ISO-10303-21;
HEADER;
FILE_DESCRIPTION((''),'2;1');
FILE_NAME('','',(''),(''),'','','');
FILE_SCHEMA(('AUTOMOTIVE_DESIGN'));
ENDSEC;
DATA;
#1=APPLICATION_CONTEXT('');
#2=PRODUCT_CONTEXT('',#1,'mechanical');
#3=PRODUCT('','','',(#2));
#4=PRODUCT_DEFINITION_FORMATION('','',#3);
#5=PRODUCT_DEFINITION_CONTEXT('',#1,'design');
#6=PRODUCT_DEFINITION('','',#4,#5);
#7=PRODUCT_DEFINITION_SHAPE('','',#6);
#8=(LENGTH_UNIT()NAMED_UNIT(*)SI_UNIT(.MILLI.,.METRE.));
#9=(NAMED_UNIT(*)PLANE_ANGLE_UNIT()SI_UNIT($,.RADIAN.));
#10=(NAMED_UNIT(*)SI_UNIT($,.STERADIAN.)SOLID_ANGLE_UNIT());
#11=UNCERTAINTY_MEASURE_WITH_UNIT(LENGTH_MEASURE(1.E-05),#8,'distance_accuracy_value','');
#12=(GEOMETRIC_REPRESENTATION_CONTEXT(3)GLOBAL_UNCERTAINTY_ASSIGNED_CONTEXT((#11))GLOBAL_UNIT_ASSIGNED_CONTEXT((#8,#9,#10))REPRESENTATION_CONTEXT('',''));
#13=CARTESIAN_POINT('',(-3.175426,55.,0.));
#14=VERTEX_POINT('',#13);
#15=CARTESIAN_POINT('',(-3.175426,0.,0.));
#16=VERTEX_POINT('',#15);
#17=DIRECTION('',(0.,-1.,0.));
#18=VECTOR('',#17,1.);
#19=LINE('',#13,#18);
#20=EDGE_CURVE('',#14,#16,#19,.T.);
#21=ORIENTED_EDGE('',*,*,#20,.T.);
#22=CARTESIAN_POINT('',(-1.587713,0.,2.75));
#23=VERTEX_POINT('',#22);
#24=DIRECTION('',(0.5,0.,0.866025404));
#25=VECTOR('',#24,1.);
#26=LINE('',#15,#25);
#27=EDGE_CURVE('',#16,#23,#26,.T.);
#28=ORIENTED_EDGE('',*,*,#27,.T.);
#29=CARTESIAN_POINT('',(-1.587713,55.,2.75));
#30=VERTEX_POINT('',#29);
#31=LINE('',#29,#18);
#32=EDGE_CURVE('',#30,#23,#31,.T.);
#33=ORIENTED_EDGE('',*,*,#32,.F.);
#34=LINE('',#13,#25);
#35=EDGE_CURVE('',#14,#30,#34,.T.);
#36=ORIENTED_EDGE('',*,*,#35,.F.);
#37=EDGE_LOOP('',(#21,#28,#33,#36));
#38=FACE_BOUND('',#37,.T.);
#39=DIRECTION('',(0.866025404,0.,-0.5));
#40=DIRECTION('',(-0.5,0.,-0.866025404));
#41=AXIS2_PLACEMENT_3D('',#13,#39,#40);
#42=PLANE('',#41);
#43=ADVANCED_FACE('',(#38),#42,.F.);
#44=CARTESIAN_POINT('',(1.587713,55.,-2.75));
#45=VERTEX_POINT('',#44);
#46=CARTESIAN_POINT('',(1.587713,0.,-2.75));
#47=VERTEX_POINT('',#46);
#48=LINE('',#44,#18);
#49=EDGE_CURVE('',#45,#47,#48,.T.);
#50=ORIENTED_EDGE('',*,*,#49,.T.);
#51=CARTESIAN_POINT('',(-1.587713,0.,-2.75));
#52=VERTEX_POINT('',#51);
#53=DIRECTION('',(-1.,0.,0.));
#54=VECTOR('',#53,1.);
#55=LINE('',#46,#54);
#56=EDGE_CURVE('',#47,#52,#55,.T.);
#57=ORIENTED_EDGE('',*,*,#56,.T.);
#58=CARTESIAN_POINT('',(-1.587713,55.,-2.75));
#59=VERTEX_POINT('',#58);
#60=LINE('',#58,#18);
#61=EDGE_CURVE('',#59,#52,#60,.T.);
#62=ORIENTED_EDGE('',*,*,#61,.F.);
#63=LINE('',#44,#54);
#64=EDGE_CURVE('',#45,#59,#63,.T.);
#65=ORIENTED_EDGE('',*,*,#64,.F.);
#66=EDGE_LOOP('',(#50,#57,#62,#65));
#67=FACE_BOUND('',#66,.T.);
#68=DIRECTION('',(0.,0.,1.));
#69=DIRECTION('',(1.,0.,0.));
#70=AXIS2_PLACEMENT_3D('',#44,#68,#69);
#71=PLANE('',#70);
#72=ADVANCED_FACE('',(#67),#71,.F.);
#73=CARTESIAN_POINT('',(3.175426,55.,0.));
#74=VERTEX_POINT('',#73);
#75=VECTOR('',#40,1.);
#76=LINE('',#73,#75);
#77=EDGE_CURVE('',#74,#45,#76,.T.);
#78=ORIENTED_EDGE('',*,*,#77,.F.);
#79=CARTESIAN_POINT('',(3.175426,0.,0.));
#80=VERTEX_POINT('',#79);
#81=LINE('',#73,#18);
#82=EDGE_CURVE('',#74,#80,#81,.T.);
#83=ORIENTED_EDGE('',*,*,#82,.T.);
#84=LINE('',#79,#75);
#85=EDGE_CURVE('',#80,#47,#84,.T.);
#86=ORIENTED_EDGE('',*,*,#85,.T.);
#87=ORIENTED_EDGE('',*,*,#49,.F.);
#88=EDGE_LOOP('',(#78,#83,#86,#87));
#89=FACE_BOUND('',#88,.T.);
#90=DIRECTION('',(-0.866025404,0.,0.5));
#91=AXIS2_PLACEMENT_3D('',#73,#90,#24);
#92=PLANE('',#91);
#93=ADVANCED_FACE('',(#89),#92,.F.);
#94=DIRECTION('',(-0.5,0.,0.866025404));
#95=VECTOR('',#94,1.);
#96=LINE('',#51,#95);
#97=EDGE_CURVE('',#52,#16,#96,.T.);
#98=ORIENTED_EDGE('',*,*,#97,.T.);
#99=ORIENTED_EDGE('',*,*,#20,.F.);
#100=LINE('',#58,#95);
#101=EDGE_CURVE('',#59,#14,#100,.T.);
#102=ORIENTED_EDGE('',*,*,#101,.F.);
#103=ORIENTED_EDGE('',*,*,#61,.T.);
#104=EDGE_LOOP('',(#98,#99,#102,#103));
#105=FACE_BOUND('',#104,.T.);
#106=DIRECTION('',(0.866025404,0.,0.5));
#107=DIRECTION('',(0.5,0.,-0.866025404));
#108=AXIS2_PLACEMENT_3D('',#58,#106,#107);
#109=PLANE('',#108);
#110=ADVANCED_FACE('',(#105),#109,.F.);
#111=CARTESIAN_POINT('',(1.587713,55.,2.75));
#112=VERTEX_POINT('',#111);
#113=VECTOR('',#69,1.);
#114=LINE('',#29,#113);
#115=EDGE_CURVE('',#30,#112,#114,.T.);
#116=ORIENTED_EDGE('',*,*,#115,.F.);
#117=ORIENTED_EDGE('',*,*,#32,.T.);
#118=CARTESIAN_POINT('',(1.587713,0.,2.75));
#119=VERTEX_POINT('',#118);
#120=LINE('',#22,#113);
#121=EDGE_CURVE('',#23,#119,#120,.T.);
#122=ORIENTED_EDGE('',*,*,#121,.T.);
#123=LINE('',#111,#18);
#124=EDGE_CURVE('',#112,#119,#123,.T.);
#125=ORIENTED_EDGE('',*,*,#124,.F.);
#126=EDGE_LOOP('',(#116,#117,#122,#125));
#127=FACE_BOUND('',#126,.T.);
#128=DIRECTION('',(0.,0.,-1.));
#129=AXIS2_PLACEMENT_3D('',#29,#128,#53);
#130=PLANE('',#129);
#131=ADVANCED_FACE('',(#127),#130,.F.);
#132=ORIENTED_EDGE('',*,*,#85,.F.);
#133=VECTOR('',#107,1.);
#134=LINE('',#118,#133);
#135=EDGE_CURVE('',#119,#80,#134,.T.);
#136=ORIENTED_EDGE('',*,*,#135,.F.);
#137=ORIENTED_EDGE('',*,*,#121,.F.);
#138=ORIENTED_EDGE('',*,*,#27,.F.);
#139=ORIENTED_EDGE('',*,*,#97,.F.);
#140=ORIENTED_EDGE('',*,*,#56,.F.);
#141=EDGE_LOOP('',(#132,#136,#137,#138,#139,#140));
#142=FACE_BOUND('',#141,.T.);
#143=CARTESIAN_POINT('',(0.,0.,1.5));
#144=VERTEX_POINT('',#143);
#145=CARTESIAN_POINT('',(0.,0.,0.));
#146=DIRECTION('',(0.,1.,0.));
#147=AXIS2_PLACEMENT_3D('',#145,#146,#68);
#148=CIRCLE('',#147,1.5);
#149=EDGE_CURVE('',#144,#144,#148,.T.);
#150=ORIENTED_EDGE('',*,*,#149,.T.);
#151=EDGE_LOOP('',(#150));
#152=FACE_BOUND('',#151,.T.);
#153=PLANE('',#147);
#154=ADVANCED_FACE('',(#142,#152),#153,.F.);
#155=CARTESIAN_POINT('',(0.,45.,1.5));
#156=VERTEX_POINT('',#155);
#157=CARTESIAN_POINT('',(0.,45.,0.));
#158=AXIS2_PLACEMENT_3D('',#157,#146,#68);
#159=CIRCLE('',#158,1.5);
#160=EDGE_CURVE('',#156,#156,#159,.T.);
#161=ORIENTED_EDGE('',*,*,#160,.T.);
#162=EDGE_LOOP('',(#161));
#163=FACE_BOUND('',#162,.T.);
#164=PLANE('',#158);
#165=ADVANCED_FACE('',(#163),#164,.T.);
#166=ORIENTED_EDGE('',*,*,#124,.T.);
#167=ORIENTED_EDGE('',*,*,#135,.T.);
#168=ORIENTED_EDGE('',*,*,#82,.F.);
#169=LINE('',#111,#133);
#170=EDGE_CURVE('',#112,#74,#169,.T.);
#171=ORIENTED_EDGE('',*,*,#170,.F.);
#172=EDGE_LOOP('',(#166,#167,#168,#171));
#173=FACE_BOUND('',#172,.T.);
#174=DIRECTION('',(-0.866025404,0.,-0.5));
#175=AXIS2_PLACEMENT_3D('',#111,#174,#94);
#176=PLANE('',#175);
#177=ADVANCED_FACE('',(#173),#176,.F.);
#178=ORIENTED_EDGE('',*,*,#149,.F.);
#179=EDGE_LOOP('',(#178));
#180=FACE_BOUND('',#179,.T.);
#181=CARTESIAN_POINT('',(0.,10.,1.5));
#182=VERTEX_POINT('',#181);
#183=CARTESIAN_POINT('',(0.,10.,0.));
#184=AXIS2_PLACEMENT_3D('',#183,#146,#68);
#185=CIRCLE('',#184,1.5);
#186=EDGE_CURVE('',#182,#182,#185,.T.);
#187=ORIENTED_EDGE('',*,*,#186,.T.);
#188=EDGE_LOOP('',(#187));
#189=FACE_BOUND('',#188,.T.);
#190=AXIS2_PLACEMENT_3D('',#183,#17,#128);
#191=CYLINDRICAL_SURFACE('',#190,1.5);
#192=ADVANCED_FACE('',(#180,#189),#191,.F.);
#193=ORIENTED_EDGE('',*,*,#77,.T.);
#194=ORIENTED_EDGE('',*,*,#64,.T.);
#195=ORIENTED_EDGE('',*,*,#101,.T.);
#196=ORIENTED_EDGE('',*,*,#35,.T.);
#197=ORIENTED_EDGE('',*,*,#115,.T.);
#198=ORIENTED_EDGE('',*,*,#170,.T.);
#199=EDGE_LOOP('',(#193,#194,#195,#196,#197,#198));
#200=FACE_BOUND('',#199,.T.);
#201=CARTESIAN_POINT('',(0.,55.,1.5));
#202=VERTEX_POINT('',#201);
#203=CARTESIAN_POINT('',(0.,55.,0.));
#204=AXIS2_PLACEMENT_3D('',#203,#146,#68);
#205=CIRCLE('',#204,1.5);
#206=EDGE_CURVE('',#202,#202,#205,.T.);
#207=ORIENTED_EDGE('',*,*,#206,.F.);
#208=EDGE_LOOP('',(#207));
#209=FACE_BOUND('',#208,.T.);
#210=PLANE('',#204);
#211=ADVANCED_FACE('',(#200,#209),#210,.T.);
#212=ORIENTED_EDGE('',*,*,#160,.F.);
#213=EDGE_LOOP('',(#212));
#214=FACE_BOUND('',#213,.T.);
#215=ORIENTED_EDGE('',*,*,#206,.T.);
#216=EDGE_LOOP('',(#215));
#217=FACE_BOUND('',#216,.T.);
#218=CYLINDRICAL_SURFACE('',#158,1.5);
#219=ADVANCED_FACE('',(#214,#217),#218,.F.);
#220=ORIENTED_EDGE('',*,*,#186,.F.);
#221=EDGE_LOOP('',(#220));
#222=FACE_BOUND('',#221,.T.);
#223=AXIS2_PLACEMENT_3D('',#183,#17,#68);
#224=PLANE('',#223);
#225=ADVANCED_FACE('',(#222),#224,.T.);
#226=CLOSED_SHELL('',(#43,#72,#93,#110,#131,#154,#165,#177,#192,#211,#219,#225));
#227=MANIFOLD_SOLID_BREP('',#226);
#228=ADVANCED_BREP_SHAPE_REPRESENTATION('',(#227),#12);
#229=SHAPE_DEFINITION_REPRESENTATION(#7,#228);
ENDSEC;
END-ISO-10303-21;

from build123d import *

# Parameters (mm, degrees)
BOSS_EXTRUDE1_DEPTH = 55
SKETCH2_R           = 1.5
CUT_EXTRUDE1_DEPTH  = 10


with BuildPart() as part:
    # Sketch1 → Boss-Extrude1 (new body)
    with BuildSketch(Plane(origin=(0, 0, 0), x_dir=(1, 0, 0), z_dir=(0, 1, 0))):
        Polygon((3.175426481, 0), (1.58771324, 2.75), (-1.58771324, 2.75), (-3.175426481, 0), (-1.58771324, -2.75), (1.58771324, -2.75), align=None)
    extrude(amount=BOSS_EXTRUDE1_DEPTH)

    # Sketch2 → Cut-Extrude1 (cut)
    with BuildSketch(Plane(origin=(0, 55, 0), x_dir=(1, 0, 0), z_dir=(0, 1, 0))):
        with Locations(Location((0, 0, 0), (0, 0, 270))):
            Circle(SKETCH2_R)
    cut_extrude1 = extrude(amount=-CUT_EXTRUDE1_DEPTH, mode=Mode.SUBTRACT)

    # Mirror1: Cut-Extrude1 across plane
    add(cut_extrude1.mirror(Plane(origin=(0, 27.5, 0), x_dir=(0, 0, 1), z_dir=(0, -1, 0))), mode=Mode.SUBTRACT)


solid = part.part
